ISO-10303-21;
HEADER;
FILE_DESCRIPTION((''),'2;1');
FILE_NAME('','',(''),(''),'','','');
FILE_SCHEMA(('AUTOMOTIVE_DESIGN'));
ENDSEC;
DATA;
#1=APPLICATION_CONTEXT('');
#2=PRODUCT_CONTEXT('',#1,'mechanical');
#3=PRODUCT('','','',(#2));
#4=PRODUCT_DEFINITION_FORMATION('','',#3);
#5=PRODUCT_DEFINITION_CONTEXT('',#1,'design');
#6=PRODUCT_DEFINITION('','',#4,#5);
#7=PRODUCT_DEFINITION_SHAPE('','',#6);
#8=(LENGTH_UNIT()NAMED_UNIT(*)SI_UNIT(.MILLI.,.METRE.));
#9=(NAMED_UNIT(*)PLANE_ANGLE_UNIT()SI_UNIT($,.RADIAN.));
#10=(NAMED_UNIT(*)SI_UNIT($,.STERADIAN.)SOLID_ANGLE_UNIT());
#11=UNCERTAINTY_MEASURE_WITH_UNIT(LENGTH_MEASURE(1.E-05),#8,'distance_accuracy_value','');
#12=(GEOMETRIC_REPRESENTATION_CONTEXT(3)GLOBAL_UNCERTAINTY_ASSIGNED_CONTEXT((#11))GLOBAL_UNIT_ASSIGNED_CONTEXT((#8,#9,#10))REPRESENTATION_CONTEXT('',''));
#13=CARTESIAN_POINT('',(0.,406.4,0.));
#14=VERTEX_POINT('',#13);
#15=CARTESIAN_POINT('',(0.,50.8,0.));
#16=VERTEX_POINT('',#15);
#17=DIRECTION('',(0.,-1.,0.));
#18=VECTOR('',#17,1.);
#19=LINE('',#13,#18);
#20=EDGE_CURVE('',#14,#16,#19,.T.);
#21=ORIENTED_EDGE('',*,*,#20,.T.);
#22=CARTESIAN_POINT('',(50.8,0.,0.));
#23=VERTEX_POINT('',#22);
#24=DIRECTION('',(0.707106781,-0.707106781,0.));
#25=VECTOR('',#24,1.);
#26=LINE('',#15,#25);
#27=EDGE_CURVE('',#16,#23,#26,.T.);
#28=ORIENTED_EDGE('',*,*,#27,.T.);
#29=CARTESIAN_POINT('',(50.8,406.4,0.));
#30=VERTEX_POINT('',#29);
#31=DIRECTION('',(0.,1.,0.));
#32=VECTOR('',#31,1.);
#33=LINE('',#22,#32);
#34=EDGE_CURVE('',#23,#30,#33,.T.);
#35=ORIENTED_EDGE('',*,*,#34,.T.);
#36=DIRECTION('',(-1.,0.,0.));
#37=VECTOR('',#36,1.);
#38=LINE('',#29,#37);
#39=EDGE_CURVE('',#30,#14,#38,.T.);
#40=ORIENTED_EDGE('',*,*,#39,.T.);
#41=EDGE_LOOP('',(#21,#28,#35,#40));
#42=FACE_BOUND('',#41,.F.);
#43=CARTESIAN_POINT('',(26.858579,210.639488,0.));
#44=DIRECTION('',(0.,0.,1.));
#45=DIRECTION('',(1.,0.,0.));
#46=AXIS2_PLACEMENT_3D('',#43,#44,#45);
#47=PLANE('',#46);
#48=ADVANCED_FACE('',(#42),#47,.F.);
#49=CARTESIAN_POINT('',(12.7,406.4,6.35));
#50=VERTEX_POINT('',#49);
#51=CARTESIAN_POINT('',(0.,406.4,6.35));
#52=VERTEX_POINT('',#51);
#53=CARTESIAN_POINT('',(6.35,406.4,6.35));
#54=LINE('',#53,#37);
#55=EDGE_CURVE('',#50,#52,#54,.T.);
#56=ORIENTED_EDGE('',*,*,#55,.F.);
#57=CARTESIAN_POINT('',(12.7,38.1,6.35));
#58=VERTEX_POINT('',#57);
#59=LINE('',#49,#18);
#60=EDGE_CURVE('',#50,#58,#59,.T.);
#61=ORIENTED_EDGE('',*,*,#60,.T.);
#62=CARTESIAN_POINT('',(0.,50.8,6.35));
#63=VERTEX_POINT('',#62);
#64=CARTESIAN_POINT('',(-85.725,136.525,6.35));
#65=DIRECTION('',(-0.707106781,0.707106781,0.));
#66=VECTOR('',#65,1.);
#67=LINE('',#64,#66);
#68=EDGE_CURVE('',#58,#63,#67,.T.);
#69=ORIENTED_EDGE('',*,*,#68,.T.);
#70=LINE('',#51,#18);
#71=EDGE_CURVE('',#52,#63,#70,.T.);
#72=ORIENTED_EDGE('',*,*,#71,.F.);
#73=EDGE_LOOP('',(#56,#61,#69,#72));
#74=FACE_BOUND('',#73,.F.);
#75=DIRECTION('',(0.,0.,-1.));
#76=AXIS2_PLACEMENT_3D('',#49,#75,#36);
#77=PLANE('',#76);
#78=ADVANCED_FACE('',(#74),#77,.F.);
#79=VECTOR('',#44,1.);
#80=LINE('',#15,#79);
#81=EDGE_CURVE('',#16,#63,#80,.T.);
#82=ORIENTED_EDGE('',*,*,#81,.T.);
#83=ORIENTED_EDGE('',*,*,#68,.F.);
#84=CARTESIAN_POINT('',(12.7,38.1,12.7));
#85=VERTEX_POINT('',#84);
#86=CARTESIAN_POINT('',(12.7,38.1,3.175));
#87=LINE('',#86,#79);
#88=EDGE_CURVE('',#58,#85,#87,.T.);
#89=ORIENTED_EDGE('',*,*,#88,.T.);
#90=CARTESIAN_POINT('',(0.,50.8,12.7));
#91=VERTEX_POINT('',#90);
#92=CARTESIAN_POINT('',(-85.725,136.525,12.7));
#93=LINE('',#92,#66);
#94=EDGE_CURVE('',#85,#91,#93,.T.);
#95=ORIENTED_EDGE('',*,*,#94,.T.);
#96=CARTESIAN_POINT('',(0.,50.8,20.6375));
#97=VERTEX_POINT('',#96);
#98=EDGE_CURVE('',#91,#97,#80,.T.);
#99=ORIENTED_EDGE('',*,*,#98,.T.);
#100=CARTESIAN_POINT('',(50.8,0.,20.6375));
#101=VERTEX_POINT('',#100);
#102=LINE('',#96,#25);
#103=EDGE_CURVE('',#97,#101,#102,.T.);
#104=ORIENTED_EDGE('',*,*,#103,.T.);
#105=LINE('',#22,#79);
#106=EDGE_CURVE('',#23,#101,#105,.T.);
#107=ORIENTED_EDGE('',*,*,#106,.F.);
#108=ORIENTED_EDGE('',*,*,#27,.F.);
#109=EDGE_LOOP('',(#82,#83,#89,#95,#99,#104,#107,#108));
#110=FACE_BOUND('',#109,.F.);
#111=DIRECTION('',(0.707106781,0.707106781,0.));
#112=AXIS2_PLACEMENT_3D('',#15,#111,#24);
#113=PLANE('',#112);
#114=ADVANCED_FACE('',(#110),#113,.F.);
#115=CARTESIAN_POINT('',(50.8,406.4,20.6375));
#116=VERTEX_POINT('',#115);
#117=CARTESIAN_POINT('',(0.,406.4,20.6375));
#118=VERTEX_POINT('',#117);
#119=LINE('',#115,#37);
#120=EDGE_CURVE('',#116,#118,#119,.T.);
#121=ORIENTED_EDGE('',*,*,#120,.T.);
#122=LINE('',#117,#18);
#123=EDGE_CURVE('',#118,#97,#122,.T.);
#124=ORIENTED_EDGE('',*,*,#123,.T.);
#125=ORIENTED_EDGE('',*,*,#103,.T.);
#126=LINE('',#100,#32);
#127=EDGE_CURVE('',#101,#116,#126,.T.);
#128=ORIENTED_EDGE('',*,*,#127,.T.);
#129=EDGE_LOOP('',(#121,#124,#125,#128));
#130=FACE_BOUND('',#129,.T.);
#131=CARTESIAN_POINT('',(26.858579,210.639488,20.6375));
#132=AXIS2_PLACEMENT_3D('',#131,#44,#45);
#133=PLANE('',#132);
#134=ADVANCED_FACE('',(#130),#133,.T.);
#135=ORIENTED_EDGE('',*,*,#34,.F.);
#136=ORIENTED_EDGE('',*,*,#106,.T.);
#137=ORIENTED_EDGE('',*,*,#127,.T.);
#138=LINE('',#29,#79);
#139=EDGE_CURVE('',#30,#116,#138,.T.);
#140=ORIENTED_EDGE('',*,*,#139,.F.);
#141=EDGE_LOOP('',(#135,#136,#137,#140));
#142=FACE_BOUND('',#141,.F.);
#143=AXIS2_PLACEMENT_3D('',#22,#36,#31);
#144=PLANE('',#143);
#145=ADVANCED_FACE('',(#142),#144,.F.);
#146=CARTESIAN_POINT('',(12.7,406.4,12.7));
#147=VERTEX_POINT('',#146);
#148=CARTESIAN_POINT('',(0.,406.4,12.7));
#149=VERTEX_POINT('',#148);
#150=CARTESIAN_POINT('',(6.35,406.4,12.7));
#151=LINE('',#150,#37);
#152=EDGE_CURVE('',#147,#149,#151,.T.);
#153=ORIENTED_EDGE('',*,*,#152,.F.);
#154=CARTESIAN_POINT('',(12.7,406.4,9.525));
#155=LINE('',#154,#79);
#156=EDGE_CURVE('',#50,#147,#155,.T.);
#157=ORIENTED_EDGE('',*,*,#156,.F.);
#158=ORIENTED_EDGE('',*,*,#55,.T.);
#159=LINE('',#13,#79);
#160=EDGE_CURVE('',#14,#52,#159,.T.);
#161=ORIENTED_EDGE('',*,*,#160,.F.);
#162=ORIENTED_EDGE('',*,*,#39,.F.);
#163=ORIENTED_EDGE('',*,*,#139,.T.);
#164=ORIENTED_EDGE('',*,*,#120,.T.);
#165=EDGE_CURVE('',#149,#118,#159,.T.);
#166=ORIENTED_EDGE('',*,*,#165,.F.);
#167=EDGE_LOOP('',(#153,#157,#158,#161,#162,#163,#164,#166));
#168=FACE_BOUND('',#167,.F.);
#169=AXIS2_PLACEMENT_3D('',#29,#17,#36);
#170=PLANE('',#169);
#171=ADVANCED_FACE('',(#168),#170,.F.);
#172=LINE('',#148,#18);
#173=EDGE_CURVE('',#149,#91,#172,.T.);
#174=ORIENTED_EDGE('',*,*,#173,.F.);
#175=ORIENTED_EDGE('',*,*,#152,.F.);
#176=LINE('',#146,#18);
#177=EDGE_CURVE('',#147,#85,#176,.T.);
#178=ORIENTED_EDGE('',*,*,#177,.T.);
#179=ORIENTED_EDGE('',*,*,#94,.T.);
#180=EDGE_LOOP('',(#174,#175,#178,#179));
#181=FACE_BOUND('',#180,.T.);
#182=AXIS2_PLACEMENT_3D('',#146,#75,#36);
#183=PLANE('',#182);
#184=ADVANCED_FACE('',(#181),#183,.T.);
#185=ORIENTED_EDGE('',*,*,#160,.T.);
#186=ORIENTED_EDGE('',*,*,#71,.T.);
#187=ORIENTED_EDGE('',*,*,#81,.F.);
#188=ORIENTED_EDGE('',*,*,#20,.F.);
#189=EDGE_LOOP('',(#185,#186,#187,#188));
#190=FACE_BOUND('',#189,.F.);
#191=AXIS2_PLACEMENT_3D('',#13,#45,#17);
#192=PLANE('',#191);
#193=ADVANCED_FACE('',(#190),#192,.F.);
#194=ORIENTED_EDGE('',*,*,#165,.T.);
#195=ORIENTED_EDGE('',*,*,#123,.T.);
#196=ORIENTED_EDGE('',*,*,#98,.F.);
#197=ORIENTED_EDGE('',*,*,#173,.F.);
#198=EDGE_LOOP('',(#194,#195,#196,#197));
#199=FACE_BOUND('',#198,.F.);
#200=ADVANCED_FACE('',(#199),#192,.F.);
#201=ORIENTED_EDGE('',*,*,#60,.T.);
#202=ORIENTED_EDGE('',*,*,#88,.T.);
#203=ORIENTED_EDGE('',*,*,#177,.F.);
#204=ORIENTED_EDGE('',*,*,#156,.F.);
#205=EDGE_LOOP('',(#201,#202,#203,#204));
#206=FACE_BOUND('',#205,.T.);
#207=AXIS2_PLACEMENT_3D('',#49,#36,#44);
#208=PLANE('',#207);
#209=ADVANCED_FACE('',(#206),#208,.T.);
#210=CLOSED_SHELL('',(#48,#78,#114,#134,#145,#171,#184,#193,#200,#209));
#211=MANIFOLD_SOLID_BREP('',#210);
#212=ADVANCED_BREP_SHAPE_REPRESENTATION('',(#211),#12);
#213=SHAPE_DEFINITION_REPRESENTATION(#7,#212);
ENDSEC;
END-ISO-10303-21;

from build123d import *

# Parameters (mm, degrees)
F1_DEPTH = 20.6375
F2_W     = 12.7
F2_H     = 6.35
F3_DEPTH = 406.401


with BuildPart() as f1:
    # F0 (on Top) → F1 (new body)
    with BuildSketch(Plane.XY):
        Polygon((0, 406.4), (0, 50.8), (50.8, 0), (50.8, 406.4), align=None)
    extrude(amount=F1_DEPTH)

    # F2 (on face) → F3 (cut, through all)
    with BuildSketch(Plane(origin=(0, 406.4, 0), x_dir=(-1, 0, 0), z_dir=(0, 1, 0))):
        with Locations((-6.35, 9.525)):
            Rectangle(F2_W, F2_H)
    extrude(amount=-F3_DEPTH, mode=Mode.SUBTRACT)


solid = f1.part
